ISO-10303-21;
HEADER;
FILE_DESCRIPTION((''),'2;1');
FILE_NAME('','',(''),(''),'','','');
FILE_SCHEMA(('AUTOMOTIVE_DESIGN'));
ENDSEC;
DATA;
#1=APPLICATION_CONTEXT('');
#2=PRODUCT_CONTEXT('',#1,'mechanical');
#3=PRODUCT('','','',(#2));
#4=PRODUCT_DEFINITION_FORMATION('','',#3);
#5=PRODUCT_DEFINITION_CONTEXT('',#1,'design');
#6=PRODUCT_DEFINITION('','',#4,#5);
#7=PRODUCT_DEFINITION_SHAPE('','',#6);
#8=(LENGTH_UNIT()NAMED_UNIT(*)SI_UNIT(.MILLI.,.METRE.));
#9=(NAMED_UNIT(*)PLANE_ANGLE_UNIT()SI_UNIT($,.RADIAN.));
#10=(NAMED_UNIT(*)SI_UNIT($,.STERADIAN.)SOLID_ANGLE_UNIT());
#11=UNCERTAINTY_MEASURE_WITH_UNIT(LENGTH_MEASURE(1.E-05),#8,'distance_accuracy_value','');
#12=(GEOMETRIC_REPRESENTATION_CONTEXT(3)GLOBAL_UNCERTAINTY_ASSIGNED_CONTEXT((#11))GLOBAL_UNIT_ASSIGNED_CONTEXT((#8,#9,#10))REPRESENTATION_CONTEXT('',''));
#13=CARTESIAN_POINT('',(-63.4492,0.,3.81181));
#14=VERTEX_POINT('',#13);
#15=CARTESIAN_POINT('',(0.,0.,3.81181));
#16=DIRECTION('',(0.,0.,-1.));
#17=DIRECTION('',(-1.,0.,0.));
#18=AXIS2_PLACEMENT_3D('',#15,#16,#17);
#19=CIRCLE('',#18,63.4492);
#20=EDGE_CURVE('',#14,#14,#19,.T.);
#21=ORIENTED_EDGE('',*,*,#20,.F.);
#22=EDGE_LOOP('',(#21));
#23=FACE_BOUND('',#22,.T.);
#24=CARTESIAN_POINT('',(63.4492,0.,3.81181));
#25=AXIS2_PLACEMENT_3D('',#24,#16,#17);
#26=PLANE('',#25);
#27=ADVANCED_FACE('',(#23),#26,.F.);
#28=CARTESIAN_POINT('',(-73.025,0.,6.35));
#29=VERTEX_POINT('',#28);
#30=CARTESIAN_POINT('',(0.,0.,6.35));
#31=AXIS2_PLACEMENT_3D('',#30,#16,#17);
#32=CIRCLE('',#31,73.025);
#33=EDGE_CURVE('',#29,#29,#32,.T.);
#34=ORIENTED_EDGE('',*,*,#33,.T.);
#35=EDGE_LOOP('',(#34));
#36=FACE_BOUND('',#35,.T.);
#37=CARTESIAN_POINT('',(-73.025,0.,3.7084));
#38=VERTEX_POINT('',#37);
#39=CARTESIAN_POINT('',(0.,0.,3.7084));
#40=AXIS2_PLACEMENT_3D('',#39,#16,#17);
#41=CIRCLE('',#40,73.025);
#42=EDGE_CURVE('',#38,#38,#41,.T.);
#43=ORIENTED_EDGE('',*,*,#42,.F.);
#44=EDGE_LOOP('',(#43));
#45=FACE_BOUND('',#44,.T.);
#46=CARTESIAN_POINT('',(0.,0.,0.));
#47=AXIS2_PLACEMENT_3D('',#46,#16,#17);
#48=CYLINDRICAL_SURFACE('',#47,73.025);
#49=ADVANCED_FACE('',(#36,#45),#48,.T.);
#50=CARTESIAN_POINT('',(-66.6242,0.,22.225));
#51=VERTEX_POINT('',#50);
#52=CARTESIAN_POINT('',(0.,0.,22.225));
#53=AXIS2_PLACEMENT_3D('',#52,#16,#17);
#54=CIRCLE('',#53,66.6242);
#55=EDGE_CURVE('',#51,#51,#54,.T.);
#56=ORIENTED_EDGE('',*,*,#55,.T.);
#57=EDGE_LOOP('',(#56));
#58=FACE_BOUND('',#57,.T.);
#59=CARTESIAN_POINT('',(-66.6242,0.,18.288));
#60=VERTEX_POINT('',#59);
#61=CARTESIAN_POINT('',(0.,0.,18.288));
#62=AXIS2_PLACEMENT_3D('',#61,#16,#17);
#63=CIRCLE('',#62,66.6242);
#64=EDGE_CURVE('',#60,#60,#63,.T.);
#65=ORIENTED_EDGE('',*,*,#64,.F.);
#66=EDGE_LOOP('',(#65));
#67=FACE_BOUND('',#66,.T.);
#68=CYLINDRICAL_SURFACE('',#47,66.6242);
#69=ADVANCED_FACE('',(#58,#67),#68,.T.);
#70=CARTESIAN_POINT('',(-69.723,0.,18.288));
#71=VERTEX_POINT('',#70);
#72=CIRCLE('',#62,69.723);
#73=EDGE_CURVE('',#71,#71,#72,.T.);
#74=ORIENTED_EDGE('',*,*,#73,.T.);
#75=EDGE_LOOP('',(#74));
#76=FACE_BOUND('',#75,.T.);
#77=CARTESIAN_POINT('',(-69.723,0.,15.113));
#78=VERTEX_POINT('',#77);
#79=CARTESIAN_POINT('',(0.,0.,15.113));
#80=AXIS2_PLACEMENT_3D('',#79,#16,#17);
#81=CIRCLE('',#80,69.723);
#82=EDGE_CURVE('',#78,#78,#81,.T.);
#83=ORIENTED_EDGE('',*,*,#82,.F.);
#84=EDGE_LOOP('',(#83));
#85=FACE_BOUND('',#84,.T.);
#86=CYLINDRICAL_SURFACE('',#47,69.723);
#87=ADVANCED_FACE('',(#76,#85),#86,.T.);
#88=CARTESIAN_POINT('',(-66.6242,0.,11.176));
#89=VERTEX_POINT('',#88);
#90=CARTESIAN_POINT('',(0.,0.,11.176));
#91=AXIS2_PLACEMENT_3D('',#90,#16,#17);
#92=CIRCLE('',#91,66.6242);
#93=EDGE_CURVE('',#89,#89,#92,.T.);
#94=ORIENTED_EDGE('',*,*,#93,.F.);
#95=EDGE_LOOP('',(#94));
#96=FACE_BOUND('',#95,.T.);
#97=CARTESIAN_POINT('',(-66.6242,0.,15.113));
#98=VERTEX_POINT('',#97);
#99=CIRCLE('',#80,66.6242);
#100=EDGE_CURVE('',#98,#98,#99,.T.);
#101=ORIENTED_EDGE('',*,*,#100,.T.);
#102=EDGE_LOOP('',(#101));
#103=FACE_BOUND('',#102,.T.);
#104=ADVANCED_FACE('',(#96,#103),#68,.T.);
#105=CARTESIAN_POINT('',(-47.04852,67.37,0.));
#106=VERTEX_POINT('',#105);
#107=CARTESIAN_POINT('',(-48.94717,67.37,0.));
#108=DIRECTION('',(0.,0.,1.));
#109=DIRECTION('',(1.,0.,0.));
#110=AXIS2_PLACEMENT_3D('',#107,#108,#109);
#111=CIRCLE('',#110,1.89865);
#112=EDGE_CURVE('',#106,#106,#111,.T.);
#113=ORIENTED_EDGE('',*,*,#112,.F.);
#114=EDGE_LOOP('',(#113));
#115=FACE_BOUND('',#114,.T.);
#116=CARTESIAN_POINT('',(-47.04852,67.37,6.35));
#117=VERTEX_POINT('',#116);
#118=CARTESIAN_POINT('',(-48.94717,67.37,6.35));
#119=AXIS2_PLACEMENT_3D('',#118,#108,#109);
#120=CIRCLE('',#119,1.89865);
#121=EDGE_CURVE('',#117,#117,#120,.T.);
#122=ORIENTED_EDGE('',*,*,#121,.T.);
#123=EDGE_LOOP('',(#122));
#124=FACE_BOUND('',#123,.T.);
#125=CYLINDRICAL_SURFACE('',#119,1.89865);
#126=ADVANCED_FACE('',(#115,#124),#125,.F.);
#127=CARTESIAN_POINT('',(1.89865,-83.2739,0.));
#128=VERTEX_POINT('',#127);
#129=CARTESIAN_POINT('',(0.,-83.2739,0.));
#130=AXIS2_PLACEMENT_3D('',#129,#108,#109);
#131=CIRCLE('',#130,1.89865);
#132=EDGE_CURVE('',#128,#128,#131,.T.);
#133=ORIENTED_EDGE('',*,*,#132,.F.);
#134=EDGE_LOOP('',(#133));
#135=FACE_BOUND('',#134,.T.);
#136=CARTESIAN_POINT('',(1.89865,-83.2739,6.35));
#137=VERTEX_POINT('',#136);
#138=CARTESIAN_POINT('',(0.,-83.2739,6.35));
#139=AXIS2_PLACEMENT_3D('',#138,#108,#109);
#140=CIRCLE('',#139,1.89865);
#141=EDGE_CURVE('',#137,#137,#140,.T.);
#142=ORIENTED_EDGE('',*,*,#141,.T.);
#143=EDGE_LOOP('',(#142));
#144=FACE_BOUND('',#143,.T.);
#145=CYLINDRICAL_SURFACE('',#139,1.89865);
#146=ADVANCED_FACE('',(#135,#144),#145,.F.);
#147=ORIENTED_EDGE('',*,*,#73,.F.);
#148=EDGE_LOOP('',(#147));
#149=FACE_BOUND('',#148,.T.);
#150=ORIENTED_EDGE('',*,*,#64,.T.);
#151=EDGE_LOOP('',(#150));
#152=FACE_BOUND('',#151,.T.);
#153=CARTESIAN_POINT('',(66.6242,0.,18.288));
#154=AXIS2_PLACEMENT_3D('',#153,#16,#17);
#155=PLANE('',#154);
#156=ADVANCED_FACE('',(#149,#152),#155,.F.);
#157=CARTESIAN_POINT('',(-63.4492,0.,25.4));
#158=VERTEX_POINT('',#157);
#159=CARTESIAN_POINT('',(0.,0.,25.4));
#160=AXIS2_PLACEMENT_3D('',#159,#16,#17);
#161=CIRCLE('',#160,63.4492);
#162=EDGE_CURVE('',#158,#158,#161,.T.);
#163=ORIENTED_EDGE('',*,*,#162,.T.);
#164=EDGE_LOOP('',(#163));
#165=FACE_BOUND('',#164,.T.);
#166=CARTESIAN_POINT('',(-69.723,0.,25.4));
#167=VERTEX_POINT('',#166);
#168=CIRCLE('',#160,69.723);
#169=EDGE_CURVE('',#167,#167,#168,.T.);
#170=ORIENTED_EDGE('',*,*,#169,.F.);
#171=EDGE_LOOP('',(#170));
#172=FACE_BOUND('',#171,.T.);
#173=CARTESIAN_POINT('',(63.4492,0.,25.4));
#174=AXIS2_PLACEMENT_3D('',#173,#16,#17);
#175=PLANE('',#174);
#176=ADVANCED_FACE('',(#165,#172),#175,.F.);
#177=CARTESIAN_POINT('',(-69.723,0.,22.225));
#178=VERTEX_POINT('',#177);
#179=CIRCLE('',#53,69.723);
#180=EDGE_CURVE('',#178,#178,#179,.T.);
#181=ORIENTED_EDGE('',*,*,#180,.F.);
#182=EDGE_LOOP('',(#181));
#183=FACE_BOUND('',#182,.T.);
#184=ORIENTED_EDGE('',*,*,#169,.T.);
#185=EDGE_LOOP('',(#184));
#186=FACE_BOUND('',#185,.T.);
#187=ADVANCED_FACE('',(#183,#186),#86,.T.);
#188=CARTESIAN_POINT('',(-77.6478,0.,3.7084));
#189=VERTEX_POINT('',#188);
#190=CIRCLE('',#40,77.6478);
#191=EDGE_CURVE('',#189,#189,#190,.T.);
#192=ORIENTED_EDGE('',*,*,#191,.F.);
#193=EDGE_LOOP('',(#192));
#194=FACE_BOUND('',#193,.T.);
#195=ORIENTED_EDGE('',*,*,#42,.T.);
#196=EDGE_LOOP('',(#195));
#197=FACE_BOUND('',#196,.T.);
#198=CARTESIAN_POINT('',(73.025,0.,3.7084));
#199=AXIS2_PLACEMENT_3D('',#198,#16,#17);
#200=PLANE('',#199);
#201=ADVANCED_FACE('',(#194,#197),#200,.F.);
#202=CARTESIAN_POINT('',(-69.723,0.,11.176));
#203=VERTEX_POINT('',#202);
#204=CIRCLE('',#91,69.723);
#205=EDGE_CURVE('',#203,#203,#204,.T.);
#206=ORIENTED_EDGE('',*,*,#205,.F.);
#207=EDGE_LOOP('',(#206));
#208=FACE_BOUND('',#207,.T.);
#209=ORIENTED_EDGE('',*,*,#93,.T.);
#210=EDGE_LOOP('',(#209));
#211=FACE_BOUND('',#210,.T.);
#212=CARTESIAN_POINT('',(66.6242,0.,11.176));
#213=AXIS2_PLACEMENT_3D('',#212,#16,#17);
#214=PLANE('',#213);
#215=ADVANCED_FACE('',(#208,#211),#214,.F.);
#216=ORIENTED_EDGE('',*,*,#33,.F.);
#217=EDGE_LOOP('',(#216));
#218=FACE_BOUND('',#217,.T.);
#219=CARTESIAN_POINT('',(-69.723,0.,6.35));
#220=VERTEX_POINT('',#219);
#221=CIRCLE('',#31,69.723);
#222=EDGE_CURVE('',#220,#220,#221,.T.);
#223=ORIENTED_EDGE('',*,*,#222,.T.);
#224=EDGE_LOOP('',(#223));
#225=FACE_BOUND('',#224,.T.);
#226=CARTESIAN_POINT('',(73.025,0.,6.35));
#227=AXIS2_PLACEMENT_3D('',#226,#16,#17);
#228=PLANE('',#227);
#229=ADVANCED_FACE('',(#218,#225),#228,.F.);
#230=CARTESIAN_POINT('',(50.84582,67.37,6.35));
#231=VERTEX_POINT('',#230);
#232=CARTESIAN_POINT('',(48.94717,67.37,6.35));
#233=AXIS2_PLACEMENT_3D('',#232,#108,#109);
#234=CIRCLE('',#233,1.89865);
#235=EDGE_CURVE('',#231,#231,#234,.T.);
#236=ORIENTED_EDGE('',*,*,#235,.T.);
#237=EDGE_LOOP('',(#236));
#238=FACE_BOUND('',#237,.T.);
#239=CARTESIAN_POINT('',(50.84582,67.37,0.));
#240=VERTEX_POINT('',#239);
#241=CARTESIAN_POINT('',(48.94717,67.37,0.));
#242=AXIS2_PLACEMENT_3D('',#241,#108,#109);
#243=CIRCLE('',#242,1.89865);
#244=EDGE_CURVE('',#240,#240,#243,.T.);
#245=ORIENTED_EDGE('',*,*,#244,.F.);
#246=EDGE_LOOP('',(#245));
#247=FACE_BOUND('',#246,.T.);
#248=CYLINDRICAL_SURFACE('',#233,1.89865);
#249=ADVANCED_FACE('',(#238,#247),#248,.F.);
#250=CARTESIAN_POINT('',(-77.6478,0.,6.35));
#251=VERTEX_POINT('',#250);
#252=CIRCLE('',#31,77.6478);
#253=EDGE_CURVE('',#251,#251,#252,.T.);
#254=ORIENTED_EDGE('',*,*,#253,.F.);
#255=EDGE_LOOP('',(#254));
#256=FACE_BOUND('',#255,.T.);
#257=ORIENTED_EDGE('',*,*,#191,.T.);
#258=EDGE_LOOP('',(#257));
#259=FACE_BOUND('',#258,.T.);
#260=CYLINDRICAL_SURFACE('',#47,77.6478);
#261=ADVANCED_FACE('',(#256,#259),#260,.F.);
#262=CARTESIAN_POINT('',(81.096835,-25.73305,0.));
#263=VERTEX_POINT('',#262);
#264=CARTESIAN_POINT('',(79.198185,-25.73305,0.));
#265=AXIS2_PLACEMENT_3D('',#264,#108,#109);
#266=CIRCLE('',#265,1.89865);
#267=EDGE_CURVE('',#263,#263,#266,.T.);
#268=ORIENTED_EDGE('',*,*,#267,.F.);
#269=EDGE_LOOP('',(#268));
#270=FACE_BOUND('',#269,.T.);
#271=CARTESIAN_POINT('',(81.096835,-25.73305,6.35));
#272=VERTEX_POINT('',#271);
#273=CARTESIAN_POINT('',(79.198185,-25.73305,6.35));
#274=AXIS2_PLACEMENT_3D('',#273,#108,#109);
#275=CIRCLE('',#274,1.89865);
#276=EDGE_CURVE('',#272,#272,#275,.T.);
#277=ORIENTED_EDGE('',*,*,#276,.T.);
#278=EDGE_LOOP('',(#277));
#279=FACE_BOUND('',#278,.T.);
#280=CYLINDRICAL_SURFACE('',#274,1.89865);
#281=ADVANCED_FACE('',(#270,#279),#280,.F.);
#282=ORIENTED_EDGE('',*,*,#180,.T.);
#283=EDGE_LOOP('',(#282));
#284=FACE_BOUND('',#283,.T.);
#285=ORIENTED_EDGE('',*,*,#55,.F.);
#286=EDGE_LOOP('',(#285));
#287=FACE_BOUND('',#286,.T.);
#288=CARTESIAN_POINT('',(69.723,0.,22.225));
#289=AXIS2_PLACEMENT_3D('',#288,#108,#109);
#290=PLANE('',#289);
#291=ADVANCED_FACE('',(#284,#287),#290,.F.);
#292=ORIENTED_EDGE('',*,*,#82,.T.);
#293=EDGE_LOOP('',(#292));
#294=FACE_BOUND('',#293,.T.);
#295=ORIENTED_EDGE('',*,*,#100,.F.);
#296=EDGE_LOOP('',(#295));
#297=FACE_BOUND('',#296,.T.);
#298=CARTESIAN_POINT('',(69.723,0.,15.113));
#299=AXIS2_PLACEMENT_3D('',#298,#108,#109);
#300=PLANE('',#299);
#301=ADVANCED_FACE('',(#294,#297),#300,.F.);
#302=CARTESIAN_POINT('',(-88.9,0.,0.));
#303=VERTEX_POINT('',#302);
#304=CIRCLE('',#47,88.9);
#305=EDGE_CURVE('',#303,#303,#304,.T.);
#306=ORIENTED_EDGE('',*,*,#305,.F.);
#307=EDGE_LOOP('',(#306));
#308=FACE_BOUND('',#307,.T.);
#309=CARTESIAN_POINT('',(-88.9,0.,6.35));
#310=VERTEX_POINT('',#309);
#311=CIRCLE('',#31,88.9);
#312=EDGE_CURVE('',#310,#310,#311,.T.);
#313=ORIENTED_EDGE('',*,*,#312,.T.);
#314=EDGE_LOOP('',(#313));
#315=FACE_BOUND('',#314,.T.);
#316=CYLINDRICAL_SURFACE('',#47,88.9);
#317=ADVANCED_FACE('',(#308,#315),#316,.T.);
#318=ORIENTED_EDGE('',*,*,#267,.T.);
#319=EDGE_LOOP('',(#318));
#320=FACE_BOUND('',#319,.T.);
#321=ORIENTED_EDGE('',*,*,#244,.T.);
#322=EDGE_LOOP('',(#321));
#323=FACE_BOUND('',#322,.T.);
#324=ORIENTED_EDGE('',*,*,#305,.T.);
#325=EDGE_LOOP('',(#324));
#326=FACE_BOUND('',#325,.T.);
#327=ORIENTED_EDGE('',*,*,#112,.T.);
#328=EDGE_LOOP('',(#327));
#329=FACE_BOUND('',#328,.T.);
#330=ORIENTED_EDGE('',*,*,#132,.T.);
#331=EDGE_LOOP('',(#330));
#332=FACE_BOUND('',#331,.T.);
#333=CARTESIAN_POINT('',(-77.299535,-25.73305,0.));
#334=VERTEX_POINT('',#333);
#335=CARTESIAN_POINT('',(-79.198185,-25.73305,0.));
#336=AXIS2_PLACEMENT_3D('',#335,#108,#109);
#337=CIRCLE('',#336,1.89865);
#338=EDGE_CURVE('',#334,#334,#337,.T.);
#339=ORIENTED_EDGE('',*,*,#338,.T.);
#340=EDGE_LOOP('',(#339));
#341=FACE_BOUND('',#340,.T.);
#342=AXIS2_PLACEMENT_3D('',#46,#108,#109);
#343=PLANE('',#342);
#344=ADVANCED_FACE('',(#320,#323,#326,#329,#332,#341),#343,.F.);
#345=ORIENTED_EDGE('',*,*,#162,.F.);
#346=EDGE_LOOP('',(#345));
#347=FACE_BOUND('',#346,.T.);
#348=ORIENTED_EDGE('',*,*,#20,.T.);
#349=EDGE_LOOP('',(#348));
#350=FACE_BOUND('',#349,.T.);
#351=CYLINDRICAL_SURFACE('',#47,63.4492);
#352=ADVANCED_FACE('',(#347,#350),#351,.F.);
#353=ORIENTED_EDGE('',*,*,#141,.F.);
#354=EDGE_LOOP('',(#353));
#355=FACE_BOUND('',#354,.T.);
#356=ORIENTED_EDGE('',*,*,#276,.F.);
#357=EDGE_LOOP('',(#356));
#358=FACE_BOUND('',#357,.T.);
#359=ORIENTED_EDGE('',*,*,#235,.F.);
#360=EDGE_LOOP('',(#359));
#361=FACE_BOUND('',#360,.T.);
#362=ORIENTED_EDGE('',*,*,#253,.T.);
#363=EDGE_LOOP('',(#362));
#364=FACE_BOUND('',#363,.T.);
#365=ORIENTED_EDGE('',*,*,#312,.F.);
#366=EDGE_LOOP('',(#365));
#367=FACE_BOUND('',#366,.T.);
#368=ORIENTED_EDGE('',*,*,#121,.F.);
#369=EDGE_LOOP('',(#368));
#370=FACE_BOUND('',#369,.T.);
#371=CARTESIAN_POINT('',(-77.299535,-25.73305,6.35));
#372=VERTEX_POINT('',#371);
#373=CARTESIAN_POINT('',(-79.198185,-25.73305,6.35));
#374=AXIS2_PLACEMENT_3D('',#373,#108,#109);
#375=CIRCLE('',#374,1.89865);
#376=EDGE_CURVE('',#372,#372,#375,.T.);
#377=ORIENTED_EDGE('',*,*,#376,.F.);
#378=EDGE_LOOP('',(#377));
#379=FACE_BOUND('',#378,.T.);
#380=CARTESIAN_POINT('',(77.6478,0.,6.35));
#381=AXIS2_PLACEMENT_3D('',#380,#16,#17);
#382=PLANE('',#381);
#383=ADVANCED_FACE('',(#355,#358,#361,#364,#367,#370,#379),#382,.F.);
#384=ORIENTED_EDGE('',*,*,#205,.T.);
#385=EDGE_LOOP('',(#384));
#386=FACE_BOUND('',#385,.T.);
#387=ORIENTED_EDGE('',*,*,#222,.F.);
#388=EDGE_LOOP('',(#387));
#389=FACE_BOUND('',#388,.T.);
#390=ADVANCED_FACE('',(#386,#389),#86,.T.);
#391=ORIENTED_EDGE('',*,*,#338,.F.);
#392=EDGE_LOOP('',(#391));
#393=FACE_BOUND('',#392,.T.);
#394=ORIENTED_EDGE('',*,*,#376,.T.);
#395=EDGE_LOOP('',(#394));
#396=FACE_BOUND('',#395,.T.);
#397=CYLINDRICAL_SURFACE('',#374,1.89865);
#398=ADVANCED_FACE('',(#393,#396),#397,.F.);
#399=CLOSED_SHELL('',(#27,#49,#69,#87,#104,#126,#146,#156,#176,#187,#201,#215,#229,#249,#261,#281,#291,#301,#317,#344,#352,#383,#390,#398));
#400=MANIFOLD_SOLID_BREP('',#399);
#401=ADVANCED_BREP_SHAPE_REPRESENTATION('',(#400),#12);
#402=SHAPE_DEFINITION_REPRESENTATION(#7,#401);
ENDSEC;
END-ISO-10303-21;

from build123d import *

# Parameters (mm, degrees)
F_6_CLEARANCE_HOLE1_D     = 3.7973
F_6_CLEARANCE_HOLE1_DEPTH = 25.4
F_6_CLEARANCE_HOLE1_TIP   = 1.140824014


with BuildPart() as part:
    # Sketch1 → Revolve1 (revolve)
    with BuildSketch(Plane(origin=(0, 0, 0), x_dir=(1, 0, 0), z_dir=(0, 1, 0))):
        Polygon((0, 0), (88.9, 0), (88.9, -6.35), (77.6478, -6.35), (77.6478, -3.7084), (73.025, -3.7084), (73.025, -6.35), (69.723, -6.35), (69.723, -11.176), (66.6242, -11.176), (66.6242, -15.113), (69.723, -15.113), (69.723, -18.288), (66.6242, -18.288), (66.6242, -22.225), (69.723, -22.225), (69.723, -25.4), (63.4492, -25.4), (63.4492, -3.811809937), (0, -3.811809937), align=None)
    revolve(axis=Axis((0, 0, 0), (0, 0, 1)))

    # #6 Clearance Hole1
    with Locations(Plane.XY.offset(6.35)):
        with Locations((0, -83.2739), (79.198185232, -25.733050288), (48.947170321, 67.370000288), (-79.198185232, -25.733050288), (-48.947170321, 67.370000288)):
            Hole(F_6_CLEARANCE_HOLE1_D / 2, depth=F_6_CLEARANCE_HOLE1_DEPTH)
            with Locations((0, 0, -(F_6_CLEARANCE_HOLE1_DEPTH + F_6_CLEARANCE_HOLE1_TIP / 2))):  # 118° drill point
                Cone(0, F_6_CLEARANCE_HOLE1_D / 2, F_6_CLEARANCE_HOLE1_TIP, mode=Mode.SUBTRACT)


solid = part.part
